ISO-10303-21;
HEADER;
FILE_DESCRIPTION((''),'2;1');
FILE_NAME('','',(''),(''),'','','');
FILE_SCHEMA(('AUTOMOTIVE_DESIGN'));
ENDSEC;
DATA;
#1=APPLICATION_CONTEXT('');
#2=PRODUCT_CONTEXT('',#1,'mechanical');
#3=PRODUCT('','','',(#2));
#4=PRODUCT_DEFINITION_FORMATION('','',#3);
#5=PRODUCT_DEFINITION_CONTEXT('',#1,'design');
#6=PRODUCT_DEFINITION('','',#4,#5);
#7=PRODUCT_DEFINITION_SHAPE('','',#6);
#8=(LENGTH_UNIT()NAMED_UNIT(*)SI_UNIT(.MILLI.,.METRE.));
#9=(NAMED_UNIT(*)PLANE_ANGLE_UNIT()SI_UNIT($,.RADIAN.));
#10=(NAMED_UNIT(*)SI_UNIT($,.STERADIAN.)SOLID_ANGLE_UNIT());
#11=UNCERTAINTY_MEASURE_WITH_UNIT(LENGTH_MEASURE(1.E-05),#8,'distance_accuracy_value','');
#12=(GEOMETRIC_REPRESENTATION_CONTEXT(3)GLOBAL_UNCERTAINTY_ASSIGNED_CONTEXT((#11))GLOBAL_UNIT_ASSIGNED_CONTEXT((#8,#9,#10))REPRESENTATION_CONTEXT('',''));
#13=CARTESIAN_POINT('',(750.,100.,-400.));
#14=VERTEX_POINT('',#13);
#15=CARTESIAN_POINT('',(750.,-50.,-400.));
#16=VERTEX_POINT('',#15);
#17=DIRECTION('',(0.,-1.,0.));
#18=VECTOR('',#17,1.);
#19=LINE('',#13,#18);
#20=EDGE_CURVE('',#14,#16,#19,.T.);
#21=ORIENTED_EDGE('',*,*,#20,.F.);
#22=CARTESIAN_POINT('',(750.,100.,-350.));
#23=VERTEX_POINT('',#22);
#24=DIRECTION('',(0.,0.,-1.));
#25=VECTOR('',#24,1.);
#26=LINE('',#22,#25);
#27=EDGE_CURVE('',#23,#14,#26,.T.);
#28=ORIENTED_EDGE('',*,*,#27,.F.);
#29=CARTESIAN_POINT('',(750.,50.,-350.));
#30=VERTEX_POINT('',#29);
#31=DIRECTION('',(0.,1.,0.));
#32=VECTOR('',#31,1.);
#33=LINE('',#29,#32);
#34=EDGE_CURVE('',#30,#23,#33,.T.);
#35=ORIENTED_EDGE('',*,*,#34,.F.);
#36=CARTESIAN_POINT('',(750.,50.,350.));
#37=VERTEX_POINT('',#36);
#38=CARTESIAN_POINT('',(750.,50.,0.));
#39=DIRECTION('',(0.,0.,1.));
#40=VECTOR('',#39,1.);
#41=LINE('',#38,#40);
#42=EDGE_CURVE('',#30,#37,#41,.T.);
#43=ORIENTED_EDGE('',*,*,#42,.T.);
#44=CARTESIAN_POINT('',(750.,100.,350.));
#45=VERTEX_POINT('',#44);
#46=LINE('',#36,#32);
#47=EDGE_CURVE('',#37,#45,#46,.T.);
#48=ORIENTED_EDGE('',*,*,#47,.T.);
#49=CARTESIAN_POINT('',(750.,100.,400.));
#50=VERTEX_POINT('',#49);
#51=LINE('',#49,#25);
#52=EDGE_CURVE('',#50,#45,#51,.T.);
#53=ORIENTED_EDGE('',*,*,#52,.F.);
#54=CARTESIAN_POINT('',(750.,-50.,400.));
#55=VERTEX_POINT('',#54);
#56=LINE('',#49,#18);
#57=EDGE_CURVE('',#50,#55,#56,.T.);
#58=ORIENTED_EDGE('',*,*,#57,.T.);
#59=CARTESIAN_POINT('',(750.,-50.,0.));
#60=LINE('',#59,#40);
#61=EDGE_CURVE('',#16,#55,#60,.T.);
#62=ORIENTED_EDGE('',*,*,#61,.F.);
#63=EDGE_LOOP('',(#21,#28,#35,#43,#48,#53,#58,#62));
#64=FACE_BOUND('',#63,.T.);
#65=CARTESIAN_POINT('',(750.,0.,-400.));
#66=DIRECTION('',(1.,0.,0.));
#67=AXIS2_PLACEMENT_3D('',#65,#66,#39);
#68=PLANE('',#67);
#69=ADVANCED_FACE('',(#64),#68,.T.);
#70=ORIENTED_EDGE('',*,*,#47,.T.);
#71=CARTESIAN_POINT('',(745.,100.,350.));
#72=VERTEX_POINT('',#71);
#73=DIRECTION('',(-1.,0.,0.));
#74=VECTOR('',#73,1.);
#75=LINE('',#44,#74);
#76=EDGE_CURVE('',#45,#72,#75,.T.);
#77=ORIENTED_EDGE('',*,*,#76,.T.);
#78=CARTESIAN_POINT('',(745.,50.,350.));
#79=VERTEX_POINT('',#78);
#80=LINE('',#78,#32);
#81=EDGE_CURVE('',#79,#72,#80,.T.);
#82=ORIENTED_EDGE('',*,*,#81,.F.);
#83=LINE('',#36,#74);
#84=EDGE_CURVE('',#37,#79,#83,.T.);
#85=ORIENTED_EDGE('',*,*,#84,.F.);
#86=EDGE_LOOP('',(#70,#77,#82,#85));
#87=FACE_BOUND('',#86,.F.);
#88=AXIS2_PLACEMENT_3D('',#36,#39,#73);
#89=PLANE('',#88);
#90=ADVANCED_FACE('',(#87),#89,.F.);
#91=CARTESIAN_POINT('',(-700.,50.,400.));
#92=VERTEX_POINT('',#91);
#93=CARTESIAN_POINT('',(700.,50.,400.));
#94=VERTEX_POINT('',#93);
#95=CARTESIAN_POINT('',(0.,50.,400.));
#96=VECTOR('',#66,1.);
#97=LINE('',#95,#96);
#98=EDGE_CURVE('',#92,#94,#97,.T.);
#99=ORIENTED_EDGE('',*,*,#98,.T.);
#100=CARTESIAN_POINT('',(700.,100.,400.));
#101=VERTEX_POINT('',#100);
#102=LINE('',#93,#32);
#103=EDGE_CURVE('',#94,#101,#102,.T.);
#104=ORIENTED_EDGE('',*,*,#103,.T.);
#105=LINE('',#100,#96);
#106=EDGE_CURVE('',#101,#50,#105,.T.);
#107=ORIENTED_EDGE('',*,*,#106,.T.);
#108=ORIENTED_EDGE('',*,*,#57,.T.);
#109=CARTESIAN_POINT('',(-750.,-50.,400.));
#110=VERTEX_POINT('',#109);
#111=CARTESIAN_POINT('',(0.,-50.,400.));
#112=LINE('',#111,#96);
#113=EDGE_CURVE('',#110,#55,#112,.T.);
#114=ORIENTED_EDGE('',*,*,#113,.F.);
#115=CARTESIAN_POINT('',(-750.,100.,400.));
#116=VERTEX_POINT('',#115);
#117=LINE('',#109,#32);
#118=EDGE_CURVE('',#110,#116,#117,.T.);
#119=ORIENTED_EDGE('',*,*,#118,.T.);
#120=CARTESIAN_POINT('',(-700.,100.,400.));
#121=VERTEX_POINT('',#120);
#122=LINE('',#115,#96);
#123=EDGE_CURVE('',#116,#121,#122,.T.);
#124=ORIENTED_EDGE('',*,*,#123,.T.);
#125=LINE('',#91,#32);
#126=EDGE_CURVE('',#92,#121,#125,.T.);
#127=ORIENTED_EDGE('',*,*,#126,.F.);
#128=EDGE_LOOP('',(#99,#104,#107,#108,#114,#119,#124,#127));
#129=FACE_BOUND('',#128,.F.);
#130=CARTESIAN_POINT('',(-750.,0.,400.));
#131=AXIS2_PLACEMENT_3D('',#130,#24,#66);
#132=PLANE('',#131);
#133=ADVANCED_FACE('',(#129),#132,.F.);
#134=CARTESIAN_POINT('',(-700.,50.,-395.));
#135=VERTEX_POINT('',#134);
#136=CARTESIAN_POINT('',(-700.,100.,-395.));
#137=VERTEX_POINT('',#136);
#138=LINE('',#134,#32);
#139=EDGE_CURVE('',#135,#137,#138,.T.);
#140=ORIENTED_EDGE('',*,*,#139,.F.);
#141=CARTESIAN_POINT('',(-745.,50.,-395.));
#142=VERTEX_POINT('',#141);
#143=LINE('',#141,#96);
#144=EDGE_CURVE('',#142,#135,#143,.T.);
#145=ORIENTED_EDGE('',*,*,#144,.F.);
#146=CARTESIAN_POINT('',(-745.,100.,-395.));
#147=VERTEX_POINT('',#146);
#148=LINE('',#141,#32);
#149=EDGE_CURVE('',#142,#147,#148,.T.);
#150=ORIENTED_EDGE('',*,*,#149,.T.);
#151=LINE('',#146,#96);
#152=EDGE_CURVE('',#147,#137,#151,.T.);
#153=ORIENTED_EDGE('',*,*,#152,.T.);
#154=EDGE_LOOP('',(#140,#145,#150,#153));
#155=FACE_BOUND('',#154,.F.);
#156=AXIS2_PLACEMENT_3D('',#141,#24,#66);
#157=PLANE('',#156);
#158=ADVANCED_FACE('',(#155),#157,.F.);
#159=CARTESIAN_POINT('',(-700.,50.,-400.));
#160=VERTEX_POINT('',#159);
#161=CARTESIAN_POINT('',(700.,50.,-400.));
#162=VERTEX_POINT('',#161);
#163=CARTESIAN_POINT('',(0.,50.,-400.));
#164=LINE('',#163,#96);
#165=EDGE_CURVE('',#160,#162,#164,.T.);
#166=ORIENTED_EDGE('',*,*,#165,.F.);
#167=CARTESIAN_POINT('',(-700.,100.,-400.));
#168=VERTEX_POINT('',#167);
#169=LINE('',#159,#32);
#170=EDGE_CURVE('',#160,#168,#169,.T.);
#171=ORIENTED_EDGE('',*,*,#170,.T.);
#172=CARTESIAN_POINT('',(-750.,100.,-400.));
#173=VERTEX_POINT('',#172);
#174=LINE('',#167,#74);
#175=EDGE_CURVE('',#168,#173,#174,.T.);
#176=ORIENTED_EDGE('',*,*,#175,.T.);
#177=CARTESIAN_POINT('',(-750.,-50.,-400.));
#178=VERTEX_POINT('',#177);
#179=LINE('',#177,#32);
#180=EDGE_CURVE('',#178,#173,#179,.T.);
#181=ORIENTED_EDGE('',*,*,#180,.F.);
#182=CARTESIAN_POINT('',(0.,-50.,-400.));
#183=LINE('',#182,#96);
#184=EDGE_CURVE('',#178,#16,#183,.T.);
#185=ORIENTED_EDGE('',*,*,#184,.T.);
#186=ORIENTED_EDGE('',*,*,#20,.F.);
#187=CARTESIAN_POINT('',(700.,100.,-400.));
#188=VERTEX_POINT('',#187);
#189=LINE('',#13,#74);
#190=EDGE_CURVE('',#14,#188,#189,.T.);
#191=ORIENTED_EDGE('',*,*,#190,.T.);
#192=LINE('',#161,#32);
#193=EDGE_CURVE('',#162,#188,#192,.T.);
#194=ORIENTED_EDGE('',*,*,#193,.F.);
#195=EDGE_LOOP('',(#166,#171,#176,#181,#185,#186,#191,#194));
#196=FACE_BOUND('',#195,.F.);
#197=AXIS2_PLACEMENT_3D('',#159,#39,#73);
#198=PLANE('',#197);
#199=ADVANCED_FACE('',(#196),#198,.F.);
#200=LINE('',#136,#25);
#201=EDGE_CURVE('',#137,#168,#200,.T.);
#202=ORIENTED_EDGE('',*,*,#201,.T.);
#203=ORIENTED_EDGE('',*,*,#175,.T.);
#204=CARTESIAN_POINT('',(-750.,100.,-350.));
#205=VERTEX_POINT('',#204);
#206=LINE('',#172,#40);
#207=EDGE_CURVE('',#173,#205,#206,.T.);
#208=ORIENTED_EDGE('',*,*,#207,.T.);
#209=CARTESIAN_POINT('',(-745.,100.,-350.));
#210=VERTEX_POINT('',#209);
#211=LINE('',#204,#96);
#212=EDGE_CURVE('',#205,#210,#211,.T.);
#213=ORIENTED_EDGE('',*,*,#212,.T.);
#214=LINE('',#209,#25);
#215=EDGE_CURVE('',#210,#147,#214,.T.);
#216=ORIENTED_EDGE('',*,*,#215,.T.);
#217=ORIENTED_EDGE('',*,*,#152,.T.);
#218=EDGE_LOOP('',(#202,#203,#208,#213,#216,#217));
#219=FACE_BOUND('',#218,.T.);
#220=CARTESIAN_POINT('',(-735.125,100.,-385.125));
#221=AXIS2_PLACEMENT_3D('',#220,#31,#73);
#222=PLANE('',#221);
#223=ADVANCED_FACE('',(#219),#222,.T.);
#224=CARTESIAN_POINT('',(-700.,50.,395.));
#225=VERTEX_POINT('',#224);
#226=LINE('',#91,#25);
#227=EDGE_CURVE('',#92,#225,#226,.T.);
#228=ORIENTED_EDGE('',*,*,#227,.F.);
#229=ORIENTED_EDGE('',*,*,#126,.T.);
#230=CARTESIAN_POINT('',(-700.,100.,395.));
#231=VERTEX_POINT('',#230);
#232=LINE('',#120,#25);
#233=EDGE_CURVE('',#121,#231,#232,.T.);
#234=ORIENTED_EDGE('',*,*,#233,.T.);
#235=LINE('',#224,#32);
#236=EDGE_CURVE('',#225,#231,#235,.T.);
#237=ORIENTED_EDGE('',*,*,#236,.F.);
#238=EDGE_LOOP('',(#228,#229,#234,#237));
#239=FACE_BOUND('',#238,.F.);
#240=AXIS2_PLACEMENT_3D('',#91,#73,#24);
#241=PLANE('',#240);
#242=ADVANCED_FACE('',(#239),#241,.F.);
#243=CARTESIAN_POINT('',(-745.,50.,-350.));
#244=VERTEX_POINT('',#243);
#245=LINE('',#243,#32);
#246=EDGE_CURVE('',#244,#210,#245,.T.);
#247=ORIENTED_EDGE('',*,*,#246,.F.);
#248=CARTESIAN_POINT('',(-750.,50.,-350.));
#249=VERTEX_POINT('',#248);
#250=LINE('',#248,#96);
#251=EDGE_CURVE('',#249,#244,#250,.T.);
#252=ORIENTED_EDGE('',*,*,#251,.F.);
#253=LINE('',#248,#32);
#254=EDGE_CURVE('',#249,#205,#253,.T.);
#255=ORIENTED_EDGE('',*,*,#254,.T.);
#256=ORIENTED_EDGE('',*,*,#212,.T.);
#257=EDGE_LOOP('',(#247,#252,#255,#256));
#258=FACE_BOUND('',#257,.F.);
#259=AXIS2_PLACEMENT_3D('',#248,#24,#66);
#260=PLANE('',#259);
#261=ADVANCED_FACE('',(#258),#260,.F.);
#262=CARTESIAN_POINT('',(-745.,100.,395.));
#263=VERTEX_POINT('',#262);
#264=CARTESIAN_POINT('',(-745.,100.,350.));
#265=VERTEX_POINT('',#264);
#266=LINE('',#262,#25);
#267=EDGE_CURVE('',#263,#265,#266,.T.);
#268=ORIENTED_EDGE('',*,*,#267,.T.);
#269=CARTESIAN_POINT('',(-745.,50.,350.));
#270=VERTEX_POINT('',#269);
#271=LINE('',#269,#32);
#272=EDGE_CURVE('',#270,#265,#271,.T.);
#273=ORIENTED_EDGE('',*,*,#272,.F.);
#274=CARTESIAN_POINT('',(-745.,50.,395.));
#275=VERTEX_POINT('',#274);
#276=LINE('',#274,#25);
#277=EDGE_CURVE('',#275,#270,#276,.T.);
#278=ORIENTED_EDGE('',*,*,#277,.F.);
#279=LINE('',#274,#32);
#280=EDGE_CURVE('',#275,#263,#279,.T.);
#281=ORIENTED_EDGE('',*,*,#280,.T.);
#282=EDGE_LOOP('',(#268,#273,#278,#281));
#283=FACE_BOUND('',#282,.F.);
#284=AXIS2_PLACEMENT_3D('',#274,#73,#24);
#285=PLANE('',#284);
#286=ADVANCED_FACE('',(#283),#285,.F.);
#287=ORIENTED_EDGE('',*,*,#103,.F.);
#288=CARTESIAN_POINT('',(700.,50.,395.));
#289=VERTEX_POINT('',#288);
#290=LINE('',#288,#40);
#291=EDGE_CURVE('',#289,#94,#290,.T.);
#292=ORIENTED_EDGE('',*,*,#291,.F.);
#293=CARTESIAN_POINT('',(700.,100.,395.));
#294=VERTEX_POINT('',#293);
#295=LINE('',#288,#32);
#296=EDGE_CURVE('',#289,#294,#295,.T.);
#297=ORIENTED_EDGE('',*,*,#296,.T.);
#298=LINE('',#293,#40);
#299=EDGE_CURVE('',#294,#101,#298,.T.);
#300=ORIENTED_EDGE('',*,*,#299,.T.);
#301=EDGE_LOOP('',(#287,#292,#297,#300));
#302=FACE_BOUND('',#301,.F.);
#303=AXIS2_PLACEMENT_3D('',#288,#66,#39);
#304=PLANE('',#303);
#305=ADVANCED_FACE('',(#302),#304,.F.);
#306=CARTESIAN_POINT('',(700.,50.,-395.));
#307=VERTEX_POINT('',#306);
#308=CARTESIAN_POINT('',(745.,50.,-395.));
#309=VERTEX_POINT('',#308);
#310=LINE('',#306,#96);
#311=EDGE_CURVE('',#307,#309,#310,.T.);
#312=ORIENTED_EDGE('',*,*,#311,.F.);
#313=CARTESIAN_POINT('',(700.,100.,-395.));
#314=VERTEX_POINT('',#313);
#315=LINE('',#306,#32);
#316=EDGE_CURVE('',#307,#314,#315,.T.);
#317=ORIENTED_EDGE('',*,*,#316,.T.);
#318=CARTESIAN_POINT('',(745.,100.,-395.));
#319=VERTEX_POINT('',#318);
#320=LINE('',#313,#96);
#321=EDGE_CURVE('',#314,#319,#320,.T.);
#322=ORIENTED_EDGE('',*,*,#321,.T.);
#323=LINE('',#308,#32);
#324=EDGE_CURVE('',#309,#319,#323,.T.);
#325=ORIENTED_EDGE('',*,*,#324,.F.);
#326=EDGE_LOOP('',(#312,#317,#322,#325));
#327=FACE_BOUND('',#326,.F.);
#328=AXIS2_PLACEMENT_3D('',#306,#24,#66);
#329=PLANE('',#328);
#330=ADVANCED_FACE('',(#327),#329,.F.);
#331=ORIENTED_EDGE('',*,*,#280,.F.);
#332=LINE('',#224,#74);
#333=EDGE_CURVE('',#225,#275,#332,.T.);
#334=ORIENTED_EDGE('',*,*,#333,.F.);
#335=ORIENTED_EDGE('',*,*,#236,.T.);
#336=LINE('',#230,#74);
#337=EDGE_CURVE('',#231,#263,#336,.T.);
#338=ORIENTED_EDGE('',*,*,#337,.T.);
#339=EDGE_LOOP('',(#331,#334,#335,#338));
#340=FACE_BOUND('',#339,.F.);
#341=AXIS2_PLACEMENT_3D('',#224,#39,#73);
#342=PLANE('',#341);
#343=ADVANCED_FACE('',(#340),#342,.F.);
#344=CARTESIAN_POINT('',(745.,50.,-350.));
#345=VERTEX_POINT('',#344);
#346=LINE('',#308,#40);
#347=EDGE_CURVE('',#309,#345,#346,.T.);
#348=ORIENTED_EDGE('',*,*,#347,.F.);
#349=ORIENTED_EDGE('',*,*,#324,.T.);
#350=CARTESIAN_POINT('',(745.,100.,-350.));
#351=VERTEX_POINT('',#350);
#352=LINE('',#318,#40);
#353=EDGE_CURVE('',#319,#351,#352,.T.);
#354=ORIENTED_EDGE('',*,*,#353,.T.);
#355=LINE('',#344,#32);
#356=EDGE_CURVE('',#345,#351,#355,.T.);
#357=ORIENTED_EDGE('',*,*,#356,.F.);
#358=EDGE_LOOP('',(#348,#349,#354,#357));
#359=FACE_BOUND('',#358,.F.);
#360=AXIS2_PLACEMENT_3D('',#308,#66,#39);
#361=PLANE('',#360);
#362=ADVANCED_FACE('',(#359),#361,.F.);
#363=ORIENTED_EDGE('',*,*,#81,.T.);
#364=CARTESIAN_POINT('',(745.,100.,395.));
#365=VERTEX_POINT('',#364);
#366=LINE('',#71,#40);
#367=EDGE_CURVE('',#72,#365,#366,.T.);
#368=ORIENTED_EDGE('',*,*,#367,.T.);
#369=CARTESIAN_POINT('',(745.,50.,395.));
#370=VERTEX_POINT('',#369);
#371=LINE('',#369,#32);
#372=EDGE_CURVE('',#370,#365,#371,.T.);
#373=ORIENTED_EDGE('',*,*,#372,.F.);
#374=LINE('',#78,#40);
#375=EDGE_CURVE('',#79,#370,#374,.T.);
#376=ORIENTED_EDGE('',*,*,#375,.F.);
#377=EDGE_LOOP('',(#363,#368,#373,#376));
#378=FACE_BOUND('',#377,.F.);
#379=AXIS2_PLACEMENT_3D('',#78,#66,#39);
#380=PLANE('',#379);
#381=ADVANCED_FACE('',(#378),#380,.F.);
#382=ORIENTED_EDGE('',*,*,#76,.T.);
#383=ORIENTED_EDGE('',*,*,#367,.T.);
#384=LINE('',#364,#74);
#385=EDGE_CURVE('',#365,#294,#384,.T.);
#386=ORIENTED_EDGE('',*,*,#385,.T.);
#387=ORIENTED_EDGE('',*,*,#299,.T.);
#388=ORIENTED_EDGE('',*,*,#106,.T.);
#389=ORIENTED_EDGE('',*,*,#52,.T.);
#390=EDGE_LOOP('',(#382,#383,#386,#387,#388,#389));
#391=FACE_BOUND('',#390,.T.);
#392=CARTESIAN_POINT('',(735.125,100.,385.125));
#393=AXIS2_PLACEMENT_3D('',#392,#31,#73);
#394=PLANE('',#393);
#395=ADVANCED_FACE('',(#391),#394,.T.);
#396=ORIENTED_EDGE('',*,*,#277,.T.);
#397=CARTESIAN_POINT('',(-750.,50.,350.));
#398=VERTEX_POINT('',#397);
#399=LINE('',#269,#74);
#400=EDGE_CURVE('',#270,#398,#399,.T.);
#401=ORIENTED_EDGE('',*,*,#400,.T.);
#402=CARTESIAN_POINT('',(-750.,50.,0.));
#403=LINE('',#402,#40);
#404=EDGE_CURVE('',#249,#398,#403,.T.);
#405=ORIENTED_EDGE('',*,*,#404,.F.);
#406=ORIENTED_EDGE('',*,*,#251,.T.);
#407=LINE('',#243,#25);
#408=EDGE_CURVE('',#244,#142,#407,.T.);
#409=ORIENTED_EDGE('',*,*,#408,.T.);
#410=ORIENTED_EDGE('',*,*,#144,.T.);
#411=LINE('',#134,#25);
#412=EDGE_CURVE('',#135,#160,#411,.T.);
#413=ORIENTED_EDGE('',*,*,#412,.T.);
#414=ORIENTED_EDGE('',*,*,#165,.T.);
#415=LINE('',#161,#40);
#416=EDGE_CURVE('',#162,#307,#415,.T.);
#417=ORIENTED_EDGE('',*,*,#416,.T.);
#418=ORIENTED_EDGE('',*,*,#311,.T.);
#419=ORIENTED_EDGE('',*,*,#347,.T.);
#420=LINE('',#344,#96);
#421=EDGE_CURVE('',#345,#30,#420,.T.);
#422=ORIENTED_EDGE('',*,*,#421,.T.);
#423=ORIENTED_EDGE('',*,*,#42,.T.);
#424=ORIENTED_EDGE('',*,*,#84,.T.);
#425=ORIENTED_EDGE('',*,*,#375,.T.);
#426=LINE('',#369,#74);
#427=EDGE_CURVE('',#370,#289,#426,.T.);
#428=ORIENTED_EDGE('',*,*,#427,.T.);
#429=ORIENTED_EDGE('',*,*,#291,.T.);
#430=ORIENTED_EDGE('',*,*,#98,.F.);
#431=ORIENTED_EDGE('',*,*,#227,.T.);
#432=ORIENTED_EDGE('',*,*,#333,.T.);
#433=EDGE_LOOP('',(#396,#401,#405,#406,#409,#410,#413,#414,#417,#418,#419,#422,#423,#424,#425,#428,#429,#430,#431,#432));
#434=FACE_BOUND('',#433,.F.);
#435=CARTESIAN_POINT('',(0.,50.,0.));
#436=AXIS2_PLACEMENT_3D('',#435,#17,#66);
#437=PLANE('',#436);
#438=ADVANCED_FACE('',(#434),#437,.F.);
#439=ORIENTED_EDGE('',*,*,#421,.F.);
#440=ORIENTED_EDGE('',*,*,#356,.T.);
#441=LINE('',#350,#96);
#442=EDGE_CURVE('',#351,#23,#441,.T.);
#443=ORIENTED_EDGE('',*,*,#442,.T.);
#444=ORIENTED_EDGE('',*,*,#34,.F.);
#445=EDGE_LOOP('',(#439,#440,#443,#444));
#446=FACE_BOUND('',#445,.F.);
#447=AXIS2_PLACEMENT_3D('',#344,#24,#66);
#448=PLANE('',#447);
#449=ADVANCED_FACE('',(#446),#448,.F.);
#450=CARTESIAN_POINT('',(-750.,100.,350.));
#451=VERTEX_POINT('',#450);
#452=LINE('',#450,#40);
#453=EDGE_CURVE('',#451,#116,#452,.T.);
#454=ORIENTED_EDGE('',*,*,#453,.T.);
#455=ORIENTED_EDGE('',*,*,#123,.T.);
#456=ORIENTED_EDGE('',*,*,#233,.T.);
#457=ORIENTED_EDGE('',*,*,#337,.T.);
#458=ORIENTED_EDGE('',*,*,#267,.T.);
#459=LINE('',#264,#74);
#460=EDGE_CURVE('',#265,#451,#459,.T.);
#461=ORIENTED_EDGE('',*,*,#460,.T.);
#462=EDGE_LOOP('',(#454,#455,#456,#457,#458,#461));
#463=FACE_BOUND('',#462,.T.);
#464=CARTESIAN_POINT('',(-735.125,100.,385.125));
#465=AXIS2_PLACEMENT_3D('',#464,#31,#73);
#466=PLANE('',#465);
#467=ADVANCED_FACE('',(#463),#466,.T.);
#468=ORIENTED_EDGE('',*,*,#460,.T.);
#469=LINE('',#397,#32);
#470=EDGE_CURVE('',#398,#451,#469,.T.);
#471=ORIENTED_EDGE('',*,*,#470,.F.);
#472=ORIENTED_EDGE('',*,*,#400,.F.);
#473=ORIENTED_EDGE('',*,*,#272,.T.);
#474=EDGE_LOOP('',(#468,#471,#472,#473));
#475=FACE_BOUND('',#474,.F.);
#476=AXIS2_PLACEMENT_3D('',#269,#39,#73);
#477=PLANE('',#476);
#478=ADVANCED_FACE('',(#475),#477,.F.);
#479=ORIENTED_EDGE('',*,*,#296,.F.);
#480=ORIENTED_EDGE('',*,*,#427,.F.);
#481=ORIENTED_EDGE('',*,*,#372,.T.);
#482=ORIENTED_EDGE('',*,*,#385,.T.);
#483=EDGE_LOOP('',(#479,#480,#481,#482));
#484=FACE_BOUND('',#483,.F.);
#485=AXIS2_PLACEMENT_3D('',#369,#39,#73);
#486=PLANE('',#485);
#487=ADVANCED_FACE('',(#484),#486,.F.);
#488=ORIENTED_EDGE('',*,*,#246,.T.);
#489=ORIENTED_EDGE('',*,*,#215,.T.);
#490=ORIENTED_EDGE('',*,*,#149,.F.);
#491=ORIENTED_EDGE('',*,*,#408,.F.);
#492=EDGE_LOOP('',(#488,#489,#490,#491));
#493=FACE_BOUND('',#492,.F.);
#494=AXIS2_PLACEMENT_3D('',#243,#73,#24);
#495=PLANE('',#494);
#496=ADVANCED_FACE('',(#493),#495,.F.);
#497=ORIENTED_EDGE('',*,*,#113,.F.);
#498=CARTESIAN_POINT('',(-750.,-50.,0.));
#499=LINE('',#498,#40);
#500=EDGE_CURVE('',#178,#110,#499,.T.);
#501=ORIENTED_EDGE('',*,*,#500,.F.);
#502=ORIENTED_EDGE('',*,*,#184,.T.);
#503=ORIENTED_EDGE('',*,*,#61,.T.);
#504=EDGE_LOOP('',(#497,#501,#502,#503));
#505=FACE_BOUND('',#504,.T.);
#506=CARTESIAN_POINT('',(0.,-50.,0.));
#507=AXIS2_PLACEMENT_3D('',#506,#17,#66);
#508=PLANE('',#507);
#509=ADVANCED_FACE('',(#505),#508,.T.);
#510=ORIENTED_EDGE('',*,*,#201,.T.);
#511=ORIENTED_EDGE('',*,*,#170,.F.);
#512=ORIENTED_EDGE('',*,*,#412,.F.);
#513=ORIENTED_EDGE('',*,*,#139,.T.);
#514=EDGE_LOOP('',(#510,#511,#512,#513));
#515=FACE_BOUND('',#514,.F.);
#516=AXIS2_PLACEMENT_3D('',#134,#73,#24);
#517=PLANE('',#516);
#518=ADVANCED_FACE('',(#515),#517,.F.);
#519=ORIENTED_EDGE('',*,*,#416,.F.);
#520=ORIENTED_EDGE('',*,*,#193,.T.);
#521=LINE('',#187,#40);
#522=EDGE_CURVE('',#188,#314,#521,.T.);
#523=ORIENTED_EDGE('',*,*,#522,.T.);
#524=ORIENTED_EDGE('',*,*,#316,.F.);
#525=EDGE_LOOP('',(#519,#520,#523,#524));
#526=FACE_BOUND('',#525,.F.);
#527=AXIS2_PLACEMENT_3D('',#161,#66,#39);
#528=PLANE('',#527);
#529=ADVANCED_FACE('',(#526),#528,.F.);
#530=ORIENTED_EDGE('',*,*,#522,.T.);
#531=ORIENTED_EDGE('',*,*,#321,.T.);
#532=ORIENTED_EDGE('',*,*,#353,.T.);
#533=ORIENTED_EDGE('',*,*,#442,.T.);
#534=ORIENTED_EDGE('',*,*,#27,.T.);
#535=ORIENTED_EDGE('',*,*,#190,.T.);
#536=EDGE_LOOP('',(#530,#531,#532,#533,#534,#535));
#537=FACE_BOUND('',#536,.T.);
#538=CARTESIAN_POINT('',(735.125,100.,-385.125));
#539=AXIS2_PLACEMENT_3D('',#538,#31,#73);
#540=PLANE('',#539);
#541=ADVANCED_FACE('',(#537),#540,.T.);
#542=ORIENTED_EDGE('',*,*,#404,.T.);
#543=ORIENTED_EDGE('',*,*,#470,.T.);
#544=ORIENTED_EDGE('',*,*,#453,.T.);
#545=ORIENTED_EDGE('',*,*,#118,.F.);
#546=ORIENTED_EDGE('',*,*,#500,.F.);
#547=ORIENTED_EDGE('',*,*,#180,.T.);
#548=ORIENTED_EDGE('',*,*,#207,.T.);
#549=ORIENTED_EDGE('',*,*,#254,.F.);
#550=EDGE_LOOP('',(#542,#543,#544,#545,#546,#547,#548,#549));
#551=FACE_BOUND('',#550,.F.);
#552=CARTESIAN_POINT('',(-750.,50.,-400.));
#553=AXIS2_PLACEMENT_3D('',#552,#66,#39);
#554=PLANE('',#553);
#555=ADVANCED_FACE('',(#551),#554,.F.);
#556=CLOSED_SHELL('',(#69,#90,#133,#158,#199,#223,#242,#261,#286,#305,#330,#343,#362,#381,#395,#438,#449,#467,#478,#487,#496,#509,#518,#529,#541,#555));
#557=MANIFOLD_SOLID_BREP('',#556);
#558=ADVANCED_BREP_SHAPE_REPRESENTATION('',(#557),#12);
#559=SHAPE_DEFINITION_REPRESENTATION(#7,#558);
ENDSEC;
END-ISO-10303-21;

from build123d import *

# Parameters (mm, degrees)
F0_W     = 1500
F0_H     = 800
F1_DEPTH = 50
F3_DEPTH = 50


with BuildPart() as f1:
    # F0 (on Front) → F1 (new body, symmetric)
    with BuildSketch(Plane.XZ):
        Rectangle(F0_W, F0_H)
    extrude(amount=F1_DEPTH, both=True)

    # F2 (on face) → F3 (join)
    with BuildSketch(Plane(origin=(0, 50, 0), x_dir=(-1, 0, 0), z_dir=(0, 1, 0))):
        Polygon((700, -400), (750, -400), (750, -350), (745, -350), (745, -395), (700, -395), align=None)
        Polygon((-750, -400), (-700, -400), (-700, -395), (-745, -395), (-745, -350), (-750, -350), align=None)
        Polygon((-700, 395), (-700, 400), (-750, 400), (-750, 350), (-745, 350), (-745, 395), align=None)
        Polygon((745, 350), (750, 350), (750, 400), (700, 400), (700, 395), (745, 395), align=None)
    extrude(amount=F3_DEPTH)


solid = f1.part
